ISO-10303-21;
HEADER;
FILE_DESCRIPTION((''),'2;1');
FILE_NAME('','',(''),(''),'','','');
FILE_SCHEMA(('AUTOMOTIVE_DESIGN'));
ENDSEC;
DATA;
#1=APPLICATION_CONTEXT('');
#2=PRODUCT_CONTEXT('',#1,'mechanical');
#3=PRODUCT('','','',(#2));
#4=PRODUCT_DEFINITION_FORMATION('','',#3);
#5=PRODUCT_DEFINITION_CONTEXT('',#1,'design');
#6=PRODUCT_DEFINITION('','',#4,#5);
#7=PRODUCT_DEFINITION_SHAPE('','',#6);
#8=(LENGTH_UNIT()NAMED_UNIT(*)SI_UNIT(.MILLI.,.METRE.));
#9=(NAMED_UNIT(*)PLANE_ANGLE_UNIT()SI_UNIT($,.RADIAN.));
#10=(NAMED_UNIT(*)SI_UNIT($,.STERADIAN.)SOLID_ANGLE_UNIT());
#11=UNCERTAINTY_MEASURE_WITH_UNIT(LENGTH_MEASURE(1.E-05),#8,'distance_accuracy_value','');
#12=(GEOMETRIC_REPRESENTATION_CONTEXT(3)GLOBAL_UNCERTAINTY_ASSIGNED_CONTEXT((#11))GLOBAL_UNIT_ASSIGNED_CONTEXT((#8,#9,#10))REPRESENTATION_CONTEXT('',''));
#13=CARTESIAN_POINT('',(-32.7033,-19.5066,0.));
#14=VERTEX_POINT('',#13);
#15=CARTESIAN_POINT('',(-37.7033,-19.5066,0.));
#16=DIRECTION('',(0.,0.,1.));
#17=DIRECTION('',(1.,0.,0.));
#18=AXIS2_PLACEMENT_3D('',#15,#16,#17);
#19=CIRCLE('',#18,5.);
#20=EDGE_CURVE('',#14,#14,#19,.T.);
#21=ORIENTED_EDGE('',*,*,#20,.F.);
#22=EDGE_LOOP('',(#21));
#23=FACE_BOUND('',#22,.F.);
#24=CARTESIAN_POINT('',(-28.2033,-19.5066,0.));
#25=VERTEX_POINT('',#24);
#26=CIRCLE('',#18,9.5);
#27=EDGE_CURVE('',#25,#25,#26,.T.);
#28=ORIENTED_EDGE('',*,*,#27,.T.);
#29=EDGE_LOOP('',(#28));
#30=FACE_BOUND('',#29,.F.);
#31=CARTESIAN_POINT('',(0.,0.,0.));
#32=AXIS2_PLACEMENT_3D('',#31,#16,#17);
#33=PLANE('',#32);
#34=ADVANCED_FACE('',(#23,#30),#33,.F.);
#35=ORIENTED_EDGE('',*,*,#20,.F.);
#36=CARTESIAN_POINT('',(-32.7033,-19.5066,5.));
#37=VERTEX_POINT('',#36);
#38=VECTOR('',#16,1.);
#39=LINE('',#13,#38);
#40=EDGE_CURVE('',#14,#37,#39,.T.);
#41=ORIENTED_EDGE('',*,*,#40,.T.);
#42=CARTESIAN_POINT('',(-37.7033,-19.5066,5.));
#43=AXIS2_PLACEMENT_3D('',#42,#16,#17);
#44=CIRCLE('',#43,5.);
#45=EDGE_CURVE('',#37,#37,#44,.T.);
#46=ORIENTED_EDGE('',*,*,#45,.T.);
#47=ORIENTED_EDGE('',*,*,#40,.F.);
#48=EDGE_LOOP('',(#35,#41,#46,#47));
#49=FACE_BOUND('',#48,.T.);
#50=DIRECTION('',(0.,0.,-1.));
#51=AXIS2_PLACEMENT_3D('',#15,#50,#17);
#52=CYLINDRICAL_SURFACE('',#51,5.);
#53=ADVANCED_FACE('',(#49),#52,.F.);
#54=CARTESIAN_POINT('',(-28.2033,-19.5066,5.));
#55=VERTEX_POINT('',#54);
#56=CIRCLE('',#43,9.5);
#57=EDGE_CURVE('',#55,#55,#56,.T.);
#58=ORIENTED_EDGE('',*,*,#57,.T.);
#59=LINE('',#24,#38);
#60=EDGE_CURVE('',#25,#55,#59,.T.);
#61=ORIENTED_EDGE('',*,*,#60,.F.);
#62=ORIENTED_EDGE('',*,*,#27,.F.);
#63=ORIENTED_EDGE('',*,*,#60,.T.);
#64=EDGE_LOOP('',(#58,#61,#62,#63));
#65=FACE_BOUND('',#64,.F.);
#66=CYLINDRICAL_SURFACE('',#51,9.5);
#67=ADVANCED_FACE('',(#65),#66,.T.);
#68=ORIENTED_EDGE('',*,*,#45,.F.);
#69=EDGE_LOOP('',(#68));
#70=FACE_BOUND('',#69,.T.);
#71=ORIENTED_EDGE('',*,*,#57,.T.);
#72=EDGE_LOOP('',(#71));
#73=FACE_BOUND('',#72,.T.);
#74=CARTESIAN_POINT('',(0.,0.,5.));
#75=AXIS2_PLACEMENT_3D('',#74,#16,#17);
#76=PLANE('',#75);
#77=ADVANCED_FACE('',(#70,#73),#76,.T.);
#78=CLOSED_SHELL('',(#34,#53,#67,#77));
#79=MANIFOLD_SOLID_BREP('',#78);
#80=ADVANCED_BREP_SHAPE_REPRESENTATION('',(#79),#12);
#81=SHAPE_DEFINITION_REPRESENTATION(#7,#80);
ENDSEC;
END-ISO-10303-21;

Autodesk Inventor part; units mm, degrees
ref_plane "YZ Plane" through (0, 0, 0) normal (1, 0, 0) x (0, 1, 0)
ref_plane "XZ Plane" through (0, 0, 0) normal (0, 1, 0) x (-1, 0, 0)
ref_plane "XY Plane" through (0, 0, 0) normal (0, 0, 1) x (1, 0, 0)
sketch "スケッチ1" plane through (0, 0, 0) normal (0, 0, 1) x (1, 0, 0)
  circle A0 centre (-37.7033, -19.5066) radius 5 projected
  circle A1 centre (-37.7033, -19.5066) radius 5
  circle A2 centre (-37.7033, -19.5066) radius 9.5
  point P0 (0, 0)
  dimension "d0" = 19
extrude "押し出し1" add sketch "スケッチ1" along normal blind 5
